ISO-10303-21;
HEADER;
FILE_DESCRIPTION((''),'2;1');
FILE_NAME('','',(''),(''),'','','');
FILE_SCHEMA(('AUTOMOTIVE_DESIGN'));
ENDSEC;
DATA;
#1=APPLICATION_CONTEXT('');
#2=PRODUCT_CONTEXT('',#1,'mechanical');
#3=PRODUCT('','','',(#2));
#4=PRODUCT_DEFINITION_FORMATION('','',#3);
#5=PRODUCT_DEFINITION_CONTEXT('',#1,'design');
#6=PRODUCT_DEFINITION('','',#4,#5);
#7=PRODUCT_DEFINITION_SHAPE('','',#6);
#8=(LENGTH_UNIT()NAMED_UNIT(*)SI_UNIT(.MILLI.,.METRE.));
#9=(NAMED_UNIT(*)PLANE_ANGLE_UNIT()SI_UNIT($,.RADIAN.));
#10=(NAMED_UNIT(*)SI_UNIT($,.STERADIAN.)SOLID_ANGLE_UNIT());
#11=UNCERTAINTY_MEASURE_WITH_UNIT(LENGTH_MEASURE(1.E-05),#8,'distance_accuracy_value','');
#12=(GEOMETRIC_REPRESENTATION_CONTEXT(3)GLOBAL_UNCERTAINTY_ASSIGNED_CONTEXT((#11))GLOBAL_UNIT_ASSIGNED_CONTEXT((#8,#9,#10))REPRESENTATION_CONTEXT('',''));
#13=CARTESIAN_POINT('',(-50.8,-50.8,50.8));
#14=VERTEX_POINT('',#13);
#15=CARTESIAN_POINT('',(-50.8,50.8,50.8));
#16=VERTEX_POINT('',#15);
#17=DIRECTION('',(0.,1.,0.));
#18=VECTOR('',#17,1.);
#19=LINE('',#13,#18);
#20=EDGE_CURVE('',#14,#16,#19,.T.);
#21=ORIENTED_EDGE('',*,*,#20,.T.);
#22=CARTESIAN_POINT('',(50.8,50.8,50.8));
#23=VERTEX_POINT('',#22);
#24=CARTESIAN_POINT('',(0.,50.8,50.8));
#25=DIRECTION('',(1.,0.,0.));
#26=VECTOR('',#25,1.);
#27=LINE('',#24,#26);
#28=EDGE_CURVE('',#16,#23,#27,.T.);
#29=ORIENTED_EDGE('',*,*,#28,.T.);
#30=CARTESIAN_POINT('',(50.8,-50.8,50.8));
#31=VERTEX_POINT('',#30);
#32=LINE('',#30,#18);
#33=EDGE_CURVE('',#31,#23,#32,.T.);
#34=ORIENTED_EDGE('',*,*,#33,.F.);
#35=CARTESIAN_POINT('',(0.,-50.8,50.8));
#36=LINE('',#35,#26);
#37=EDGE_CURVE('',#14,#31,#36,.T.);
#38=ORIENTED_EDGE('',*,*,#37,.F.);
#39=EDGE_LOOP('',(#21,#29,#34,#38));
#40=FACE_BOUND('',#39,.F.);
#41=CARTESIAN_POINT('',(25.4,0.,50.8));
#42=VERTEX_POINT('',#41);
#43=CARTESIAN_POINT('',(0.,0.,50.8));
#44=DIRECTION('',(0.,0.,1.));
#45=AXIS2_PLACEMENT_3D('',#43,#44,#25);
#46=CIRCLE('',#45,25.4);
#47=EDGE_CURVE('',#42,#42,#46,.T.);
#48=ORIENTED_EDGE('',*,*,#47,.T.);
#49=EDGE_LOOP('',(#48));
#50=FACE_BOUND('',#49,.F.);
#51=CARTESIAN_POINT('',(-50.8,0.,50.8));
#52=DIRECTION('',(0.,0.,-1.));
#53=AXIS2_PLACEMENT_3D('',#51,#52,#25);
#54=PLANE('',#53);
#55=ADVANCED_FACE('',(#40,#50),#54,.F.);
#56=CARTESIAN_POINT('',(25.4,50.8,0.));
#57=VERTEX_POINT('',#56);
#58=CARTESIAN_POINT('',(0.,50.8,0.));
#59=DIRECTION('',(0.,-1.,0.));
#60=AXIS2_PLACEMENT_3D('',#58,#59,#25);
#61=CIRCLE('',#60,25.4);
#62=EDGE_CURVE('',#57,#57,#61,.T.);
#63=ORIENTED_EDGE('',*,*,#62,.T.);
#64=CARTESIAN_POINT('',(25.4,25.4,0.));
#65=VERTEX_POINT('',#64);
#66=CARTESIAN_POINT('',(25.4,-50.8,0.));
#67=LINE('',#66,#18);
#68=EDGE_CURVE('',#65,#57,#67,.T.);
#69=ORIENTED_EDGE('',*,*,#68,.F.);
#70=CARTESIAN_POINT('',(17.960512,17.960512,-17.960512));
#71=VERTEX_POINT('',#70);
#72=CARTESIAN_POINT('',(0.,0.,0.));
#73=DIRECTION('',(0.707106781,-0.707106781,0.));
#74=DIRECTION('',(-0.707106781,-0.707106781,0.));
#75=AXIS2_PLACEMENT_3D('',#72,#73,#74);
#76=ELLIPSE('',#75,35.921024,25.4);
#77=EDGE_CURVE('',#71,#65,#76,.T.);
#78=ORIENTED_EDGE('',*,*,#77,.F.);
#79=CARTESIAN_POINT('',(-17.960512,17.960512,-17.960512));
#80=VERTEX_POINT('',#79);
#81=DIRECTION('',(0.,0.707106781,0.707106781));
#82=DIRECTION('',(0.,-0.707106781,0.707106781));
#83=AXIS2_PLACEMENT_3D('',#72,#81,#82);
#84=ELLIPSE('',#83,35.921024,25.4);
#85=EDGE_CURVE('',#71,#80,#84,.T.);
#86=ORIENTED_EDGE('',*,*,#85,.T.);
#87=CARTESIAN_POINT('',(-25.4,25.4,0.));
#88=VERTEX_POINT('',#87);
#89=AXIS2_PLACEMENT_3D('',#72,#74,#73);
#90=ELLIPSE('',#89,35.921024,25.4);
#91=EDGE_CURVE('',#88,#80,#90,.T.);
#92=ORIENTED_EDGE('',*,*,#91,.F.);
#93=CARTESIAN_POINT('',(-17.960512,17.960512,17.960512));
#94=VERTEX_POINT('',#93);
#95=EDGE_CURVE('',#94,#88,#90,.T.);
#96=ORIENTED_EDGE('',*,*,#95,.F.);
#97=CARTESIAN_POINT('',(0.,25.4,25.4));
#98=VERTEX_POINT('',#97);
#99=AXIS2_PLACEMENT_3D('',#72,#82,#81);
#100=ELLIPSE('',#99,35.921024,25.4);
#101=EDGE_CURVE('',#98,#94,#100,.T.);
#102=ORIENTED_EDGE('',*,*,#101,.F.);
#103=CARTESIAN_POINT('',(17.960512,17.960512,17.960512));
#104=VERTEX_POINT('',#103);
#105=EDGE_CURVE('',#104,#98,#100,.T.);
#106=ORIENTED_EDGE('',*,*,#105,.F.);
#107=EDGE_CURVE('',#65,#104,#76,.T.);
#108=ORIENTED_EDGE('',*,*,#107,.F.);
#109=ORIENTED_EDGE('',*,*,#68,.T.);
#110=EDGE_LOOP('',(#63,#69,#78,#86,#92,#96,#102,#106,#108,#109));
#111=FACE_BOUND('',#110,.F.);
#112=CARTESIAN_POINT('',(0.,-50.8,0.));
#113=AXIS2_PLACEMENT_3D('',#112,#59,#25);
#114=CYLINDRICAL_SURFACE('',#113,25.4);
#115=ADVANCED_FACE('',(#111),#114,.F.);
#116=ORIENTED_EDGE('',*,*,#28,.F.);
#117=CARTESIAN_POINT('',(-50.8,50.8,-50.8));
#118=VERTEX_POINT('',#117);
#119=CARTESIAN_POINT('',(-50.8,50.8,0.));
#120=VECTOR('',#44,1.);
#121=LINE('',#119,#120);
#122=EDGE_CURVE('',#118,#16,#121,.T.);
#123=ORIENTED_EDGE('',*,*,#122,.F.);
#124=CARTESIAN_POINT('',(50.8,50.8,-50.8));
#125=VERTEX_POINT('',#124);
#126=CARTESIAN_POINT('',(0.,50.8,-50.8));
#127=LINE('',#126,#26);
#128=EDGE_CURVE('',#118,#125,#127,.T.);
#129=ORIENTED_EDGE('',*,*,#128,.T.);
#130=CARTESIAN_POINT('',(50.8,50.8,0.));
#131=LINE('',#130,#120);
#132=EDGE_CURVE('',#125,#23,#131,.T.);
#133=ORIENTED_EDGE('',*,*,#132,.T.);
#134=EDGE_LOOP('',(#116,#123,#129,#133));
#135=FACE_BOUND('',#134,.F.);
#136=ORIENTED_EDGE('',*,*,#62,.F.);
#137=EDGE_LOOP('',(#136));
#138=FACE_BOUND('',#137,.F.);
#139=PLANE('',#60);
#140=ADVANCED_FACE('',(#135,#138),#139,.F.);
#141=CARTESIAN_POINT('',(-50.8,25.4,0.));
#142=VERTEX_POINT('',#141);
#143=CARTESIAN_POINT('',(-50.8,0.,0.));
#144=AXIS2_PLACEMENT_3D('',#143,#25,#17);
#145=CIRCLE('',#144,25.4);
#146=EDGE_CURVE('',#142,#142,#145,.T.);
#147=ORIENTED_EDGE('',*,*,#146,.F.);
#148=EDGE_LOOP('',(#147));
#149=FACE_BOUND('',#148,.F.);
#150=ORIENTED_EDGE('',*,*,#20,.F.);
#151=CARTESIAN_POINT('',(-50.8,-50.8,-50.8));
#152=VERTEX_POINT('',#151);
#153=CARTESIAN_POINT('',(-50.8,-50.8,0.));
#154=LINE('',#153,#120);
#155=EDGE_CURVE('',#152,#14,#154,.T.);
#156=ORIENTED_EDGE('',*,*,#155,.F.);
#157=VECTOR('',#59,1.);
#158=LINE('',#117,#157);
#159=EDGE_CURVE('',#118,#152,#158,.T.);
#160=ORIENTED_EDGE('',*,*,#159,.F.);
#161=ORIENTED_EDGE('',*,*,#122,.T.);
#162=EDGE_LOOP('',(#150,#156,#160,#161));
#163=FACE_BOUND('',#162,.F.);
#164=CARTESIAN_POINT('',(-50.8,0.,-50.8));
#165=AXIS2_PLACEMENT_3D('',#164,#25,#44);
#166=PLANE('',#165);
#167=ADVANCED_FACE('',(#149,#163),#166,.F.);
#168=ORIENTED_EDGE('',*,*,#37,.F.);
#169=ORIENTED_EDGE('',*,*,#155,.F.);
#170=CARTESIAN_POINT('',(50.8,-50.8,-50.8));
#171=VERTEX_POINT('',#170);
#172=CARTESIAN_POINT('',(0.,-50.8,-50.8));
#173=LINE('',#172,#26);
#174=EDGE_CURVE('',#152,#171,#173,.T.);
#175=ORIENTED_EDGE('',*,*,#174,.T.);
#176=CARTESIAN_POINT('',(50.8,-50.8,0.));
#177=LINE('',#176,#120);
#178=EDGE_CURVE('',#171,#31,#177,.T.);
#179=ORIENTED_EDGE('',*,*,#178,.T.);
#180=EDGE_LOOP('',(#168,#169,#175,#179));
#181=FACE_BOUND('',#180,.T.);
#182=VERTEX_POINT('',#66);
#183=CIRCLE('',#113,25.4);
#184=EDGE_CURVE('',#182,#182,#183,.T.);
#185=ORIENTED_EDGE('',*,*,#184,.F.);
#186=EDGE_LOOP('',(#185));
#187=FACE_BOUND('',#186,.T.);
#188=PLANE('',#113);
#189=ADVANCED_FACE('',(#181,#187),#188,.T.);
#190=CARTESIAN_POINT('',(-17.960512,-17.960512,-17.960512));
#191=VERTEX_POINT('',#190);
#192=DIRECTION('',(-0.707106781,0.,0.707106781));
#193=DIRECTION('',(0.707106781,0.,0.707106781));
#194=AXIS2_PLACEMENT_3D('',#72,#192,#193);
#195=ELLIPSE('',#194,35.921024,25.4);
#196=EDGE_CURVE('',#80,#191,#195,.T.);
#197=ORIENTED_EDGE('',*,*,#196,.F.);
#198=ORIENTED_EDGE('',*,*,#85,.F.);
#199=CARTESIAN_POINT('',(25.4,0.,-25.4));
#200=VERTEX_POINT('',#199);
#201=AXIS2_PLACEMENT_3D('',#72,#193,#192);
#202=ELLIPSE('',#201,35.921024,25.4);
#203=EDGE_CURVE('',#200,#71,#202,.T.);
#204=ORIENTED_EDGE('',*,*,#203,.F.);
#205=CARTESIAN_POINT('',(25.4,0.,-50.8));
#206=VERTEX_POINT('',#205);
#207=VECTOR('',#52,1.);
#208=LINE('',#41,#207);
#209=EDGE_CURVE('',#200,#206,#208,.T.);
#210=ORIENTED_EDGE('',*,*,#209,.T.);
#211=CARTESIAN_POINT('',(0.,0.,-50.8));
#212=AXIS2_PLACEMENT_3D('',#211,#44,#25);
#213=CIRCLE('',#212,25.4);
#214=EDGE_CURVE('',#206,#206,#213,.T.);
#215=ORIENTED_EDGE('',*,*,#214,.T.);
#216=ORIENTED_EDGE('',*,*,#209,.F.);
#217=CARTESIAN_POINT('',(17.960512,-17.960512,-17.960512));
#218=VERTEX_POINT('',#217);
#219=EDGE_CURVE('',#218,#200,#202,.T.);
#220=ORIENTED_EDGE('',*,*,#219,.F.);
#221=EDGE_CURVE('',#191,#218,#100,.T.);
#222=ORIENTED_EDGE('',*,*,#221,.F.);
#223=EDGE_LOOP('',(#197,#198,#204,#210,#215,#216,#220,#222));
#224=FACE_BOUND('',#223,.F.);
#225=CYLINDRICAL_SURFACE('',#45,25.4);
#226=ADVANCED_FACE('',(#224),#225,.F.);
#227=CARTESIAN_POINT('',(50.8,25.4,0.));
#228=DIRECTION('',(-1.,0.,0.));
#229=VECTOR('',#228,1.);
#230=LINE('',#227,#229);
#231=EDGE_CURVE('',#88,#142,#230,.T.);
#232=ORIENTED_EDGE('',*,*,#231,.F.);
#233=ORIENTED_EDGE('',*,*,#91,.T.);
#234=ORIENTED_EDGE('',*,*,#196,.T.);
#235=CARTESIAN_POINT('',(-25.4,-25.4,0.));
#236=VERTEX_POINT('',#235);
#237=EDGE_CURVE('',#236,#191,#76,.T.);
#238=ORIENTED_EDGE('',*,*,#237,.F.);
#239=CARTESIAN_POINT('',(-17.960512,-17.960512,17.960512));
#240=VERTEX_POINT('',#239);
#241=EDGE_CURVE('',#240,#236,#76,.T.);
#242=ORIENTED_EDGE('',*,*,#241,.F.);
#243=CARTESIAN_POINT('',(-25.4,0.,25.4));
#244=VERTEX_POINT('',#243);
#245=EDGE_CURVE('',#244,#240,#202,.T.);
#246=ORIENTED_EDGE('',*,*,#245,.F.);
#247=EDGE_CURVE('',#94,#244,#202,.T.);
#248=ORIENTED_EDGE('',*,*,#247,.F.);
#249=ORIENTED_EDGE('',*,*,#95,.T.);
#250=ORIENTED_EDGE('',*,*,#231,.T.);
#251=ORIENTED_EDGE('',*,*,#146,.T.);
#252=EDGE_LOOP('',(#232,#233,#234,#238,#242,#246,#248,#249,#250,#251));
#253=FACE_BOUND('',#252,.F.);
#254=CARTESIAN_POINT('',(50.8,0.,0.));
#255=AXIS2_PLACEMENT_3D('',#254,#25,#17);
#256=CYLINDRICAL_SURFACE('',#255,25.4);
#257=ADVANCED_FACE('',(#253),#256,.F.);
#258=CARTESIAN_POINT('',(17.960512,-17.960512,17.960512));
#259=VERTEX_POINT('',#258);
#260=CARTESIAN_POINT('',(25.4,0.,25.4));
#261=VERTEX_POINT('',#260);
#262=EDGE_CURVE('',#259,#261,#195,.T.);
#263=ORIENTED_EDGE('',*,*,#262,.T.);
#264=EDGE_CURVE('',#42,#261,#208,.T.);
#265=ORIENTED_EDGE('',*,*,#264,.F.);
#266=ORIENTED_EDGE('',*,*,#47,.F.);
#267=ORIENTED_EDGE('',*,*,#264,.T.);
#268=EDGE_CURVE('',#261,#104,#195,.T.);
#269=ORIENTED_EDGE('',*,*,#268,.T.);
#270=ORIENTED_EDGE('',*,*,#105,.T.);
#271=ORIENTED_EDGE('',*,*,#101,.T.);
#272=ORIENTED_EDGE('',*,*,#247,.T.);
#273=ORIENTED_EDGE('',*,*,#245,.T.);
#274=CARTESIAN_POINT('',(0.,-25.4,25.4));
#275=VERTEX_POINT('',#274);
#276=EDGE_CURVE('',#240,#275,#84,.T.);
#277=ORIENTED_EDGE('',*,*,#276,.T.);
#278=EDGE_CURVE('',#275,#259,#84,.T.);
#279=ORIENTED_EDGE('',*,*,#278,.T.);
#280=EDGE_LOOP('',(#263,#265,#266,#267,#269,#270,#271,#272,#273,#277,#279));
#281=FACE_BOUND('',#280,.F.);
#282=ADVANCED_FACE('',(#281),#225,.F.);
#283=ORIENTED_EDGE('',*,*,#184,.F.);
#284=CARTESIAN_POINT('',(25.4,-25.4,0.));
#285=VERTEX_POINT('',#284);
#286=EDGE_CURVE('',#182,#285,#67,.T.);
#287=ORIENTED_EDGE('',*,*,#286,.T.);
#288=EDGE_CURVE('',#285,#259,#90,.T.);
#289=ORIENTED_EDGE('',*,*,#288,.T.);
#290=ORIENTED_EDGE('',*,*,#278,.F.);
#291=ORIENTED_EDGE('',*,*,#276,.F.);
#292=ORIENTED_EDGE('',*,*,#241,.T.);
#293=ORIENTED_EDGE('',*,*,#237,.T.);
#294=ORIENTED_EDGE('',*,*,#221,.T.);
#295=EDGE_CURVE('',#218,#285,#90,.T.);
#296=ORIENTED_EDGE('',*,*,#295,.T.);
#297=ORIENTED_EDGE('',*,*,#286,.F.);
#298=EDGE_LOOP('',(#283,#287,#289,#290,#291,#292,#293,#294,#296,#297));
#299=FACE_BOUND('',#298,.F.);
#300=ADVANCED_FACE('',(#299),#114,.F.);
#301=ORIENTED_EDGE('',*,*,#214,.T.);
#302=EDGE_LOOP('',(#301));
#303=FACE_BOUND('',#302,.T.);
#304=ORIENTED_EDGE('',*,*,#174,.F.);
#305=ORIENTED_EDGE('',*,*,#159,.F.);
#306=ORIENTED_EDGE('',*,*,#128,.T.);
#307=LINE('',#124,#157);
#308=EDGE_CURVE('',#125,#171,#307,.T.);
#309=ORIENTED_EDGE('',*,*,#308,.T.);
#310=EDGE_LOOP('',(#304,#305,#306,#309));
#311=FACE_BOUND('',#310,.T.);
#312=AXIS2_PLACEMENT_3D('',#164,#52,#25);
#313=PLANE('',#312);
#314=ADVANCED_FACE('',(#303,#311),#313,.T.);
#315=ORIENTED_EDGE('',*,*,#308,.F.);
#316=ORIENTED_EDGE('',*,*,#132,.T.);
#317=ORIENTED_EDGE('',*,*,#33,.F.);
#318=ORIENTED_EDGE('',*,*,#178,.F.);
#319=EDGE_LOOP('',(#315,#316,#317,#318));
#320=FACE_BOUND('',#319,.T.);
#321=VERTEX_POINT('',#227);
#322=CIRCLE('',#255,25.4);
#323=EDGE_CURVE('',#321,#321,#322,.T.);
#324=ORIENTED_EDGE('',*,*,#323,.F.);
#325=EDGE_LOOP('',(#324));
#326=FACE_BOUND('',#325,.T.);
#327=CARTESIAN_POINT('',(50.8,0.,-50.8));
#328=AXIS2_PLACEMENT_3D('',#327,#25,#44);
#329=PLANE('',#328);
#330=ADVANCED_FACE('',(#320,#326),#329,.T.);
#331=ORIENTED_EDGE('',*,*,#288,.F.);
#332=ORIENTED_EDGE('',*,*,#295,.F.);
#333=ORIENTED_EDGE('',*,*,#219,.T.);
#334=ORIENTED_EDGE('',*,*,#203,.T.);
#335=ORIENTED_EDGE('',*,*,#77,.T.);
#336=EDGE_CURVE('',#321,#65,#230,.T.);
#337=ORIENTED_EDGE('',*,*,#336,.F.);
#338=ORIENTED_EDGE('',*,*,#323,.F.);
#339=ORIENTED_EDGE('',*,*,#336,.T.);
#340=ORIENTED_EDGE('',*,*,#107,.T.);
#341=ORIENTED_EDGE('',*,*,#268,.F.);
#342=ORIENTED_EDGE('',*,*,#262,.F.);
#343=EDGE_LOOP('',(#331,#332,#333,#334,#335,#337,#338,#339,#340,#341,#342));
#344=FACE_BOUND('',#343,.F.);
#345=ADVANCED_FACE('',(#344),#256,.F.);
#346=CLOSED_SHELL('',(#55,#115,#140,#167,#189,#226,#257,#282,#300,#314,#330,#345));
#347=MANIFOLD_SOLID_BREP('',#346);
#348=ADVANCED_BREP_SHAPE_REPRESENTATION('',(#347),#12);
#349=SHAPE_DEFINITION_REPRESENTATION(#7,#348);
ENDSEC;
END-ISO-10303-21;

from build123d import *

# Parameters (mm, degrees)
F0_W     = 101.6
F0_H     = 101.6
F1_DEPTH = 50.8
F2_R     = 25.4
F3_DEPTH = 101.601
F4_R     = 25.4
F5_DEPTH = 101.601
F6_R     = 25.4
F7_DEPTH = 101.601


with BuildPart() as f1:
    # F0 (on Front) → F1 (new body, symmetric)
    with BuildSketch(Plane.XZ):
        Rectangle(F0_W, F0_H)
    extrude(amount=F1_DEPTH, both=True)

    # F2 (on face) → F3 (cut, through all)
    with BuildSketch(Plane.XY.offset(50.8)):
        Circle(F2_R)
    extrude(amount=-F3_DEPTH, mode=Mode.SUBTRACT)

    # F4 (on face) → F5 (cut, through all)
    with BuildSketch(Plane.XZ.offset(50.8)):
        Circle(F4_R)
    extrude(amount=-F5_DEPTH, mode=Mode.SUBTRACT)

    # F6 (on face) → F7 (cut, through all)
    with BuildSketch(Plane.YZ.offset(50.8)):
        Circle(F6_R)
    extrude(amount=-F7_DEPTH, mode=Mode.SUBTRACT)


solid = f1.part
